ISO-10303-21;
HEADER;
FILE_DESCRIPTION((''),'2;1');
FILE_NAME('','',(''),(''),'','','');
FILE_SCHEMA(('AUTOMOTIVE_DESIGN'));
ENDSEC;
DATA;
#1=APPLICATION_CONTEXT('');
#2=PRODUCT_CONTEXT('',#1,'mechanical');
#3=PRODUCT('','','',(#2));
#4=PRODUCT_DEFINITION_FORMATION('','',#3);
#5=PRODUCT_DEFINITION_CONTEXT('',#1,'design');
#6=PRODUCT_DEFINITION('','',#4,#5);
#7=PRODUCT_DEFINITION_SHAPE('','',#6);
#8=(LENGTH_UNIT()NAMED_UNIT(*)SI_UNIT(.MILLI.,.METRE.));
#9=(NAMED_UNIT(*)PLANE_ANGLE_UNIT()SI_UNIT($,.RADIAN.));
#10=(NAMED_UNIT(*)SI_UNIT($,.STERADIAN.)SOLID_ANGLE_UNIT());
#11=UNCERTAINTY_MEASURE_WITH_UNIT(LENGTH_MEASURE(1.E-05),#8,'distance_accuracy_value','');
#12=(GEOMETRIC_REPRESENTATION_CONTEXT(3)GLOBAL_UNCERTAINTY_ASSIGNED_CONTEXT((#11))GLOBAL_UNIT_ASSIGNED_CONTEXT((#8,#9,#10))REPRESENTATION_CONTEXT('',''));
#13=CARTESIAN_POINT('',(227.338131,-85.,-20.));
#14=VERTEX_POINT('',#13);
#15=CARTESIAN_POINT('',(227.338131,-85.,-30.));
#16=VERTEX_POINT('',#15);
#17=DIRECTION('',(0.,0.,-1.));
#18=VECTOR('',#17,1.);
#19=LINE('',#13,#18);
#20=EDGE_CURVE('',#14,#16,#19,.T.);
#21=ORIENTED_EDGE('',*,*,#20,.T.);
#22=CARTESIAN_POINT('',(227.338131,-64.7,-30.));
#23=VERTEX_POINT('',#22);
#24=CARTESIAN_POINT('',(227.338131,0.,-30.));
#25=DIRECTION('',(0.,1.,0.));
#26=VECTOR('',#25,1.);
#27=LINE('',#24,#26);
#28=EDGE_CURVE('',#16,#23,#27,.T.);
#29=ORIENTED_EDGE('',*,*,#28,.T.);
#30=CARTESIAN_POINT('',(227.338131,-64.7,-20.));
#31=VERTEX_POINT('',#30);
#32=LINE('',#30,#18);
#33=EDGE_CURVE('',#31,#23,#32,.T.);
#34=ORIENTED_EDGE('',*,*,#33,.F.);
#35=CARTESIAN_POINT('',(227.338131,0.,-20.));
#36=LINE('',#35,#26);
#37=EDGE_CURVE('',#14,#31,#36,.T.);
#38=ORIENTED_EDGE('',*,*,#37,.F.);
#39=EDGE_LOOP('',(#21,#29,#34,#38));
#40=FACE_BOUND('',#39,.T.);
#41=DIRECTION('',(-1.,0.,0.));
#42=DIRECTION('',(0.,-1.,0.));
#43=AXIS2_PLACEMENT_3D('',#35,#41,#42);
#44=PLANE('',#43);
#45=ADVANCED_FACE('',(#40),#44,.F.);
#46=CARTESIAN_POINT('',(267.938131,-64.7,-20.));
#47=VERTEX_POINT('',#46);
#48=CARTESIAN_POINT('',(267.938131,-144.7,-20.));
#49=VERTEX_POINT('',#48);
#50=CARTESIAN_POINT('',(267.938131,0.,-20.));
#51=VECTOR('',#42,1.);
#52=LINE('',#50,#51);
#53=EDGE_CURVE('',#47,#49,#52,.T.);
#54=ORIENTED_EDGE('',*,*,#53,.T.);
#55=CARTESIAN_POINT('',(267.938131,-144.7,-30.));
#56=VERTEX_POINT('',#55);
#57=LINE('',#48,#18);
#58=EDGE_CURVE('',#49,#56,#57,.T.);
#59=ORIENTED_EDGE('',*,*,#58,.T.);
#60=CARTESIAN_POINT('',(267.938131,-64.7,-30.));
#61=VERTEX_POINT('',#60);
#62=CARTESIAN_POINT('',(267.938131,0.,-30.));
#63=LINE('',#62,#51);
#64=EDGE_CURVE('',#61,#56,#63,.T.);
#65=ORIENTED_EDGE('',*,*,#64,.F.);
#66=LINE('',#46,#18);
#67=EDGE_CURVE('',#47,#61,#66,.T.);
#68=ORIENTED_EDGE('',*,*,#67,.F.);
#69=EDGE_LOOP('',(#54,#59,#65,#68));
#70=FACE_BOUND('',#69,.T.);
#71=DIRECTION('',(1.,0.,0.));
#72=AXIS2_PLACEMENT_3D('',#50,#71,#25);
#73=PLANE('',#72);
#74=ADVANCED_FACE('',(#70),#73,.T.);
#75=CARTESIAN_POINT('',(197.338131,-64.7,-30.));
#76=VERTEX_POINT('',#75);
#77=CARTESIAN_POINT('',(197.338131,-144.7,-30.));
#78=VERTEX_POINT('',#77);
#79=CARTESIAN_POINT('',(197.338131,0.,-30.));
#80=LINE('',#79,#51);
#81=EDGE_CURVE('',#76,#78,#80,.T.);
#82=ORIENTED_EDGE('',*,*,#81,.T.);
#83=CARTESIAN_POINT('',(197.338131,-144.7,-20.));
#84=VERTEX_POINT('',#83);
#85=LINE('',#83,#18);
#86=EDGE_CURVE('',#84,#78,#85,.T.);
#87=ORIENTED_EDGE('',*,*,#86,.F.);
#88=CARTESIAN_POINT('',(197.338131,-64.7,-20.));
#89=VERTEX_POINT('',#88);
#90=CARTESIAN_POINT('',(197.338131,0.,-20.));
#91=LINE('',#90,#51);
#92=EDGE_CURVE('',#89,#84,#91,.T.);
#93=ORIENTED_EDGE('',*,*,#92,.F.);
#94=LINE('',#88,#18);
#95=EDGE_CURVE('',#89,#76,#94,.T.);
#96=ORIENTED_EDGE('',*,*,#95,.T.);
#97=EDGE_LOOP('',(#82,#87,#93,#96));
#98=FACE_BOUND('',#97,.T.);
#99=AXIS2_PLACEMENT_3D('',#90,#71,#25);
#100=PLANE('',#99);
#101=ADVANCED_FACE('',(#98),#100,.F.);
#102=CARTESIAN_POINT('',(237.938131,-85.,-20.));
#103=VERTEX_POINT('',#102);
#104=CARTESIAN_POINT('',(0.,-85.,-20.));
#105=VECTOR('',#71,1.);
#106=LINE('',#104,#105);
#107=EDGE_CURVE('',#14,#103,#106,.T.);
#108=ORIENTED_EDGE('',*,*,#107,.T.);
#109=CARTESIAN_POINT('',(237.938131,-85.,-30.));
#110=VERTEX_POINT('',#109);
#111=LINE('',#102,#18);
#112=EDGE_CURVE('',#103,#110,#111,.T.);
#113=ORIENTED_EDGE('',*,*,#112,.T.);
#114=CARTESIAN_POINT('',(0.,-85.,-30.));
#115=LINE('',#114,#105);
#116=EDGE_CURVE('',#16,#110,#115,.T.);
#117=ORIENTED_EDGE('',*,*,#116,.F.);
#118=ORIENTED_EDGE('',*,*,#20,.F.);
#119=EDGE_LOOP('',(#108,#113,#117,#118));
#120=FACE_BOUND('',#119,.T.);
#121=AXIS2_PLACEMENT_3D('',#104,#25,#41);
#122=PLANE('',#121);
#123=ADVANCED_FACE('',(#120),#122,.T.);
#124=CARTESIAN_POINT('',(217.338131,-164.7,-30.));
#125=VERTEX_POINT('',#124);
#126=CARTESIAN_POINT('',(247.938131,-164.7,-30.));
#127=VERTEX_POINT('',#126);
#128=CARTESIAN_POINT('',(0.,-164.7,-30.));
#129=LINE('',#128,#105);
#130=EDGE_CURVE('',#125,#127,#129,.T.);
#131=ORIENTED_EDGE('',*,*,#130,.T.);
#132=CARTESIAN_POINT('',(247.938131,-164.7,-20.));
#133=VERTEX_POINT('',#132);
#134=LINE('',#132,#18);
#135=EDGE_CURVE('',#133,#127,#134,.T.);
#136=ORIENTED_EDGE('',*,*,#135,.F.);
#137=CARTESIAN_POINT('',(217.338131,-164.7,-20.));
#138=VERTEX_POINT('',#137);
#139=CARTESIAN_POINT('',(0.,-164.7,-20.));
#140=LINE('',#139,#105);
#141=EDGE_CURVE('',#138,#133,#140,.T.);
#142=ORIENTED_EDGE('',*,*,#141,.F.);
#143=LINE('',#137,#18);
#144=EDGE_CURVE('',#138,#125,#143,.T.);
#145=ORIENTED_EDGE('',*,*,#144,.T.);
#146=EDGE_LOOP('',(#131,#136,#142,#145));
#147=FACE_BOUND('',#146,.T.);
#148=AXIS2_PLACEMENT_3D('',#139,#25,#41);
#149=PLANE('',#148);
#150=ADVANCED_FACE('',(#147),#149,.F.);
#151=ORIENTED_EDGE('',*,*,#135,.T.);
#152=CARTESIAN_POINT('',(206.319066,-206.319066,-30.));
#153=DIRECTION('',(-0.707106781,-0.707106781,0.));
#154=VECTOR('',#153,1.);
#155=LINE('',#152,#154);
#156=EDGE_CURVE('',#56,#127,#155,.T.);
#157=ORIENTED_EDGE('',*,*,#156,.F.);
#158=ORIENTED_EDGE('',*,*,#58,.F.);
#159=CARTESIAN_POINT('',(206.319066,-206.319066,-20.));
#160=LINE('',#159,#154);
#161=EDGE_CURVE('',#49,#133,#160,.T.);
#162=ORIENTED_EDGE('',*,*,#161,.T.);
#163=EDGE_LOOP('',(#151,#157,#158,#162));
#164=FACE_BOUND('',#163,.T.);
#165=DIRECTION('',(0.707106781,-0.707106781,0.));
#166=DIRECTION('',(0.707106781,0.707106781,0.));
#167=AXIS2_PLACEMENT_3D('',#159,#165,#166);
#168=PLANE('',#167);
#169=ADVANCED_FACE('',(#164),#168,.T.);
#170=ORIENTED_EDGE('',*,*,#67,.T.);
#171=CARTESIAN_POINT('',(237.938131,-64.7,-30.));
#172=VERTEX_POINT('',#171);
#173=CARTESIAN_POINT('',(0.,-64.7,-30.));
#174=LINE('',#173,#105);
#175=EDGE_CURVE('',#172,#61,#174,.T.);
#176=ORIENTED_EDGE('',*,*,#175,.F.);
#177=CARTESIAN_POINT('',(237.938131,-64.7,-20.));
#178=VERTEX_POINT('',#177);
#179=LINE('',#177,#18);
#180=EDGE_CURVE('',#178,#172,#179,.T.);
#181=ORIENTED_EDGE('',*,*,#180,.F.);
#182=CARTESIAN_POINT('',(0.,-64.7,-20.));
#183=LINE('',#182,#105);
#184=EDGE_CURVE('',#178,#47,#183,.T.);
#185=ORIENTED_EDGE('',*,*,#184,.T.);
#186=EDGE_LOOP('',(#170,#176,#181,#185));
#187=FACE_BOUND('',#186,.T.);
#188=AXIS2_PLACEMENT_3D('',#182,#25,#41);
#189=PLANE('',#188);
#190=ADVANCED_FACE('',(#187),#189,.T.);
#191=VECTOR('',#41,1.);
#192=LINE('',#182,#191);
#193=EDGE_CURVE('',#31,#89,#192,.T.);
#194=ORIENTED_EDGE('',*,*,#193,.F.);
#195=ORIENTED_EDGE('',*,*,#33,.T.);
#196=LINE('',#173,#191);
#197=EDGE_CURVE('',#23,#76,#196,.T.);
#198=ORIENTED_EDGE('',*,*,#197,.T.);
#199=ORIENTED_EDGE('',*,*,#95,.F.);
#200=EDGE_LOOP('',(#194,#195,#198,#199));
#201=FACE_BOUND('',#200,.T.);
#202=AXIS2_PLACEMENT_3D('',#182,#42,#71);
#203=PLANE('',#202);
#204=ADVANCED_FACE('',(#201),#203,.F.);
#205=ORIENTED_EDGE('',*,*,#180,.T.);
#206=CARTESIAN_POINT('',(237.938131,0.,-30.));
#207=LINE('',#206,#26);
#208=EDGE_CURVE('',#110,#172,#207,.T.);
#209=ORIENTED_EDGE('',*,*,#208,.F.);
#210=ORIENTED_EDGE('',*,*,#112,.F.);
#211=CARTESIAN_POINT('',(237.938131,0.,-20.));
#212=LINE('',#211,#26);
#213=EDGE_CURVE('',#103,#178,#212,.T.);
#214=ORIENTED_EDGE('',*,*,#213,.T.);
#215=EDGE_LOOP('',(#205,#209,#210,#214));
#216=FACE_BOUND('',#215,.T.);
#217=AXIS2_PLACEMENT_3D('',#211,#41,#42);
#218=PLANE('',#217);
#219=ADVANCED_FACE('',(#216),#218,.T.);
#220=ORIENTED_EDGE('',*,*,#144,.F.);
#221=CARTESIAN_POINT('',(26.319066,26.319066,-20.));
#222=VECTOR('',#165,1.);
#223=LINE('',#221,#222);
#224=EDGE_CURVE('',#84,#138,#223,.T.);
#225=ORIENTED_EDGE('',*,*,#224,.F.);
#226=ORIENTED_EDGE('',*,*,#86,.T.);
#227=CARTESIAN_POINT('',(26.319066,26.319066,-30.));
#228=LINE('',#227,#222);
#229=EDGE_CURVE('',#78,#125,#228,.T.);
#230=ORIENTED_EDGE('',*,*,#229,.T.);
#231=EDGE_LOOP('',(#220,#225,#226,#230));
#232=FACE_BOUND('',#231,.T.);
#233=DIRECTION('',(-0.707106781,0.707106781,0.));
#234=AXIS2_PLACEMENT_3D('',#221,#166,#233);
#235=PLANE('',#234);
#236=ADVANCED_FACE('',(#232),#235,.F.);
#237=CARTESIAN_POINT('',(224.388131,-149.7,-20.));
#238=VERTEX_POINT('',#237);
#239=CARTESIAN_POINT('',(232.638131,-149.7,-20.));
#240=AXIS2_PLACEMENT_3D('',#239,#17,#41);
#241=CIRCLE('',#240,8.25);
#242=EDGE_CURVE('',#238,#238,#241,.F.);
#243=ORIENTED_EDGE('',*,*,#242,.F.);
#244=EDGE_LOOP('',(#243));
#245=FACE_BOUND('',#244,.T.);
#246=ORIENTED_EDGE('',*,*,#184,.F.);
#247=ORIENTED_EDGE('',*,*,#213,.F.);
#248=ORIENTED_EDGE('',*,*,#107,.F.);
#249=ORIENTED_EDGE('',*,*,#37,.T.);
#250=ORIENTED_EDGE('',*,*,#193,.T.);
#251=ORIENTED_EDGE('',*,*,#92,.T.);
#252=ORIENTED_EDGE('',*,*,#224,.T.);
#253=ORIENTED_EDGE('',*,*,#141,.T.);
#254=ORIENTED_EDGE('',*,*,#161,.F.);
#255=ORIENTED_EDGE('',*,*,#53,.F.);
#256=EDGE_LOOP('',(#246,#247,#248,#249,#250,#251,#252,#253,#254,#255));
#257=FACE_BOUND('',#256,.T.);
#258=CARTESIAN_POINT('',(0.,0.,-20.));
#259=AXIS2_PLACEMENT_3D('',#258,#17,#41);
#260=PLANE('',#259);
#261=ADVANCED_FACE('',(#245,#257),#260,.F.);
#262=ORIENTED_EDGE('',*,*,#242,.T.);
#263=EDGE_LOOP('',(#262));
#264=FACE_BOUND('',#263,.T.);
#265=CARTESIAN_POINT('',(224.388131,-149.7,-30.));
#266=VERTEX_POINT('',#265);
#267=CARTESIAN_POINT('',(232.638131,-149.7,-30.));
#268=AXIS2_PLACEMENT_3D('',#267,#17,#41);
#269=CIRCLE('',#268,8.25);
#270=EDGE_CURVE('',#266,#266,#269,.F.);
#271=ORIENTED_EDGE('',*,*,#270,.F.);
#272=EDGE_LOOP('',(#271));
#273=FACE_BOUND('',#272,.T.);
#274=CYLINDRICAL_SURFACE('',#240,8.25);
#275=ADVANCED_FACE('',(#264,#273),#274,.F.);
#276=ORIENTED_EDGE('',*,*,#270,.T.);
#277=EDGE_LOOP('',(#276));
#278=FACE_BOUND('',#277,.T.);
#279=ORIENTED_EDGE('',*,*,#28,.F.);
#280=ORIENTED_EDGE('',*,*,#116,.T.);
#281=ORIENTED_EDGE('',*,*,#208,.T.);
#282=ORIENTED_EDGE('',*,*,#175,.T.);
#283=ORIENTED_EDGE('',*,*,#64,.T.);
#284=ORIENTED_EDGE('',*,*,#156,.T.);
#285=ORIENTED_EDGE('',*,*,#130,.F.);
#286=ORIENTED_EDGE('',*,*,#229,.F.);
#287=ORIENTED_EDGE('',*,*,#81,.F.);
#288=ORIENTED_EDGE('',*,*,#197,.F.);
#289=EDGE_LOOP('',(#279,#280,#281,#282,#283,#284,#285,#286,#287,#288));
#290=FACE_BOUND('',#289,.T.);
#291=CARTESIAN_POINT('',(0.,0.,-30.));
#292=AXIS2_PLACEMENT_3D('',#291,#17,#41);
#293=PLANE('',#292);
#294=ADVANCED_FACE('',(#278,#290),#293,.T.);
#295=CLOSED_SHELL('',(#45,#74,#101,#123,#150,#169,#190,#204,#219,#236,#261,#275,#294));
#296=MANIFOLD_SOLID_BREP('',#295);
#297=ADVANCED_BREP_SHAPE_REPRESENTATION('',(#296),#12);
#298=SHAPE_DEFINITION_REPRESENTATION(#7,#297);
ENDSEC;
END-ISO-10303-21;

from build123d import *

# Parameters (mm, degrees)
SKETCH2_R           = 8.25
BOSS_EXTRUDE1_DEPTH = 5


with BuildPart() as part:
    # Sketch2 → Boss-Extrude1 (new, symmetric)
    with BuildSketch(Plane.XY.offset(-25)):
        Polygon((227.33813101, -85), (237.93813101, -85), (237.93813101, -64.7), (267.93813101, -64.7), (267.93813101, -144.7), (247.93813101, -164.7), (217.33813101, -164.7), (197.33813101, -144.7), (197.33813101, -64.7), (227.33813101, -64.7), align=None)
        with Locations(Location((232.63813101, -149.7, 0), (0, 0, 180))):
            Circle(SKETCH2_R, mode=Mode.SUBTRACT)
    extrude(amount=BOSS_EXTRUDE1_DEPTH, both=True)


solid = part.part
